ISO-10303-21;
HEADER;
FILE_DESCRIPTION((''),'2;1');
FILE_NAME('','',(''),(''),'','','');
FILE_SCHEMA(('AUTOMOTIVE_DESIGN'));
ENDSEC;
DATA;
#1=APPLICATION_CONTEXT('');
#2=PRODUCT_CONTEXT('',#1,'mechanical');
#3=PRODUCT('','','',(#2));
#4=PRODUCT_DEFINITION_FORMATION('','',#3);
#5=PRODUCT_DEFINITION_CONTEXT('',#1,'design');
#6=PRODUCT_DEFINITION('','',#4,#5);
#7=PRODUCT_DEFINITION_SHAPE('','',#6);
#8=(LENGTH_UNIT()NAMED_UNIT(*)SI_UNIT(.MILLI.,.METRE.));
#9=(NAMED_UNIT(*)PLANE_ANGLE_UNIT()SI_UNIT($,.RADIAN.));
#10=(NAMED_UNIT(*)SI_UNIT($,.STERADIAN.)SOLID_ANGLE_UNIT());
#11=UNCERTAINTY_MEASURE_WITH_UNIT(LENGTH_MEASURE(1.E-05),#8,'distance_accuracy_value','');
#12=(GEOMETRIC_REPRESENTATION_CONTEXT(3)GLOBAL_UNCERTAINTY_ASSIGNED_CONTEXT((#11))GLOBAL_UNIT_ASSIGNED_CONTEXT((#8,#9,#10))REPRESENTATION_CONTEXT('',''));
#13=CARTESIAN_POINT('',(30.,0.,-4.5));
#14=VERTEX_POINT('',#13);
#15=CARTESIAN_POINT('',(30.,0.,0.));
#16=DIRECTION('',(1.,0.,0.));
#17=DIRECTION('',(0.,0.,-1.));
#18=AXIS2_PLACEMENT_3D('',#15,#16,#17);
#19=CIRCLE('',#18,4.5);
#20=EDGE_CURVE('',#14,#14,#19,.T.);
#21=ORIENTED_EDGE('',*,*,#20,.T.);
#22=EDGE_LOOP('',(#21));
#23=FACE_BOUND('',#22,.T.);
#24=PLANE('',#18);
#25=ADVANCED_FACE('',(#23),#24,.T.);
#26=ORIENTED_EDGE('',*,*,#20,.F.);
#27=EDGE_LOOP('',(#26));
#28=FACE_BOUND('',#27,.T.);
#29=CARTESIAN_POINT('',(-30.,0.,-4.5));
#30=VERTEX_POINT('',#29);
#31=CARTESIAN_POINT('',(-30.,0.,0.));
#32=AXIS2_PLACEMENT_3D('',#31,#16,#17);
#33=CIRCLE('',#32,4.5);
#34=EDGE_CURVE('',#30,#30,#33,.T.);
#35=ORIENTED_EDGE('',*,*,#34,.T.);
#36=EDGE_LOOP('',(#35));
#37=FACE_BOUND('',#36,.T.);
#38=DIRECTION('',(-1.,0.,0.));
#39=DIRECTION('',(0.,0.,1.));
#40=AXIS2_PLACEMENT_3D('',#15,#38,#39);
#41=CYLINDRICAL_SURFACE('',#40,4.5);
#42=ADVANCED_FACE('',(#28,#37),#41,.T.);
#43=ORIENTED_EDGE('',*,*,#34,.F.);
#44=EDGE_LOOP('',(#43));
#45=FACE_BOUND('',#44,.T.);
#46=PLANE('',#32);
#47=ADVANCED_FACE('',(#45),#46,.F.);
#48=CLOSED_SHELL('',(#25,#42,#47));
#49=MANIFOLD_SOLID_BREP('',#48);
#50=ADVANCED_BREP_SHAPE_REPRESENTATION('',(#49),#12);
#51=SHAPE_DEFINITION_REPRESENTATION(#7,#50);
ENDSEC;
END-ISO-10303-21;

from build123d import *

# Parameters (mm, degrees)
SKETCH1_R           = 4.5
BOSS_EXTRUDE1_DEPTH = 30


with BuildPart() as part:
    # Sketch1 → Boss-Extrude1 (new body, symmetric)
    with BuildSketch(Plane(origin=(0, 0, 0), x_dir=(0, 0, -1), z_dir=(1, 0, 0))):
        Circle(SKETCH1_R)
    extrude(amount=BOSS_EXTRUDE1_DEPTH, both=True)


solid = part.part
